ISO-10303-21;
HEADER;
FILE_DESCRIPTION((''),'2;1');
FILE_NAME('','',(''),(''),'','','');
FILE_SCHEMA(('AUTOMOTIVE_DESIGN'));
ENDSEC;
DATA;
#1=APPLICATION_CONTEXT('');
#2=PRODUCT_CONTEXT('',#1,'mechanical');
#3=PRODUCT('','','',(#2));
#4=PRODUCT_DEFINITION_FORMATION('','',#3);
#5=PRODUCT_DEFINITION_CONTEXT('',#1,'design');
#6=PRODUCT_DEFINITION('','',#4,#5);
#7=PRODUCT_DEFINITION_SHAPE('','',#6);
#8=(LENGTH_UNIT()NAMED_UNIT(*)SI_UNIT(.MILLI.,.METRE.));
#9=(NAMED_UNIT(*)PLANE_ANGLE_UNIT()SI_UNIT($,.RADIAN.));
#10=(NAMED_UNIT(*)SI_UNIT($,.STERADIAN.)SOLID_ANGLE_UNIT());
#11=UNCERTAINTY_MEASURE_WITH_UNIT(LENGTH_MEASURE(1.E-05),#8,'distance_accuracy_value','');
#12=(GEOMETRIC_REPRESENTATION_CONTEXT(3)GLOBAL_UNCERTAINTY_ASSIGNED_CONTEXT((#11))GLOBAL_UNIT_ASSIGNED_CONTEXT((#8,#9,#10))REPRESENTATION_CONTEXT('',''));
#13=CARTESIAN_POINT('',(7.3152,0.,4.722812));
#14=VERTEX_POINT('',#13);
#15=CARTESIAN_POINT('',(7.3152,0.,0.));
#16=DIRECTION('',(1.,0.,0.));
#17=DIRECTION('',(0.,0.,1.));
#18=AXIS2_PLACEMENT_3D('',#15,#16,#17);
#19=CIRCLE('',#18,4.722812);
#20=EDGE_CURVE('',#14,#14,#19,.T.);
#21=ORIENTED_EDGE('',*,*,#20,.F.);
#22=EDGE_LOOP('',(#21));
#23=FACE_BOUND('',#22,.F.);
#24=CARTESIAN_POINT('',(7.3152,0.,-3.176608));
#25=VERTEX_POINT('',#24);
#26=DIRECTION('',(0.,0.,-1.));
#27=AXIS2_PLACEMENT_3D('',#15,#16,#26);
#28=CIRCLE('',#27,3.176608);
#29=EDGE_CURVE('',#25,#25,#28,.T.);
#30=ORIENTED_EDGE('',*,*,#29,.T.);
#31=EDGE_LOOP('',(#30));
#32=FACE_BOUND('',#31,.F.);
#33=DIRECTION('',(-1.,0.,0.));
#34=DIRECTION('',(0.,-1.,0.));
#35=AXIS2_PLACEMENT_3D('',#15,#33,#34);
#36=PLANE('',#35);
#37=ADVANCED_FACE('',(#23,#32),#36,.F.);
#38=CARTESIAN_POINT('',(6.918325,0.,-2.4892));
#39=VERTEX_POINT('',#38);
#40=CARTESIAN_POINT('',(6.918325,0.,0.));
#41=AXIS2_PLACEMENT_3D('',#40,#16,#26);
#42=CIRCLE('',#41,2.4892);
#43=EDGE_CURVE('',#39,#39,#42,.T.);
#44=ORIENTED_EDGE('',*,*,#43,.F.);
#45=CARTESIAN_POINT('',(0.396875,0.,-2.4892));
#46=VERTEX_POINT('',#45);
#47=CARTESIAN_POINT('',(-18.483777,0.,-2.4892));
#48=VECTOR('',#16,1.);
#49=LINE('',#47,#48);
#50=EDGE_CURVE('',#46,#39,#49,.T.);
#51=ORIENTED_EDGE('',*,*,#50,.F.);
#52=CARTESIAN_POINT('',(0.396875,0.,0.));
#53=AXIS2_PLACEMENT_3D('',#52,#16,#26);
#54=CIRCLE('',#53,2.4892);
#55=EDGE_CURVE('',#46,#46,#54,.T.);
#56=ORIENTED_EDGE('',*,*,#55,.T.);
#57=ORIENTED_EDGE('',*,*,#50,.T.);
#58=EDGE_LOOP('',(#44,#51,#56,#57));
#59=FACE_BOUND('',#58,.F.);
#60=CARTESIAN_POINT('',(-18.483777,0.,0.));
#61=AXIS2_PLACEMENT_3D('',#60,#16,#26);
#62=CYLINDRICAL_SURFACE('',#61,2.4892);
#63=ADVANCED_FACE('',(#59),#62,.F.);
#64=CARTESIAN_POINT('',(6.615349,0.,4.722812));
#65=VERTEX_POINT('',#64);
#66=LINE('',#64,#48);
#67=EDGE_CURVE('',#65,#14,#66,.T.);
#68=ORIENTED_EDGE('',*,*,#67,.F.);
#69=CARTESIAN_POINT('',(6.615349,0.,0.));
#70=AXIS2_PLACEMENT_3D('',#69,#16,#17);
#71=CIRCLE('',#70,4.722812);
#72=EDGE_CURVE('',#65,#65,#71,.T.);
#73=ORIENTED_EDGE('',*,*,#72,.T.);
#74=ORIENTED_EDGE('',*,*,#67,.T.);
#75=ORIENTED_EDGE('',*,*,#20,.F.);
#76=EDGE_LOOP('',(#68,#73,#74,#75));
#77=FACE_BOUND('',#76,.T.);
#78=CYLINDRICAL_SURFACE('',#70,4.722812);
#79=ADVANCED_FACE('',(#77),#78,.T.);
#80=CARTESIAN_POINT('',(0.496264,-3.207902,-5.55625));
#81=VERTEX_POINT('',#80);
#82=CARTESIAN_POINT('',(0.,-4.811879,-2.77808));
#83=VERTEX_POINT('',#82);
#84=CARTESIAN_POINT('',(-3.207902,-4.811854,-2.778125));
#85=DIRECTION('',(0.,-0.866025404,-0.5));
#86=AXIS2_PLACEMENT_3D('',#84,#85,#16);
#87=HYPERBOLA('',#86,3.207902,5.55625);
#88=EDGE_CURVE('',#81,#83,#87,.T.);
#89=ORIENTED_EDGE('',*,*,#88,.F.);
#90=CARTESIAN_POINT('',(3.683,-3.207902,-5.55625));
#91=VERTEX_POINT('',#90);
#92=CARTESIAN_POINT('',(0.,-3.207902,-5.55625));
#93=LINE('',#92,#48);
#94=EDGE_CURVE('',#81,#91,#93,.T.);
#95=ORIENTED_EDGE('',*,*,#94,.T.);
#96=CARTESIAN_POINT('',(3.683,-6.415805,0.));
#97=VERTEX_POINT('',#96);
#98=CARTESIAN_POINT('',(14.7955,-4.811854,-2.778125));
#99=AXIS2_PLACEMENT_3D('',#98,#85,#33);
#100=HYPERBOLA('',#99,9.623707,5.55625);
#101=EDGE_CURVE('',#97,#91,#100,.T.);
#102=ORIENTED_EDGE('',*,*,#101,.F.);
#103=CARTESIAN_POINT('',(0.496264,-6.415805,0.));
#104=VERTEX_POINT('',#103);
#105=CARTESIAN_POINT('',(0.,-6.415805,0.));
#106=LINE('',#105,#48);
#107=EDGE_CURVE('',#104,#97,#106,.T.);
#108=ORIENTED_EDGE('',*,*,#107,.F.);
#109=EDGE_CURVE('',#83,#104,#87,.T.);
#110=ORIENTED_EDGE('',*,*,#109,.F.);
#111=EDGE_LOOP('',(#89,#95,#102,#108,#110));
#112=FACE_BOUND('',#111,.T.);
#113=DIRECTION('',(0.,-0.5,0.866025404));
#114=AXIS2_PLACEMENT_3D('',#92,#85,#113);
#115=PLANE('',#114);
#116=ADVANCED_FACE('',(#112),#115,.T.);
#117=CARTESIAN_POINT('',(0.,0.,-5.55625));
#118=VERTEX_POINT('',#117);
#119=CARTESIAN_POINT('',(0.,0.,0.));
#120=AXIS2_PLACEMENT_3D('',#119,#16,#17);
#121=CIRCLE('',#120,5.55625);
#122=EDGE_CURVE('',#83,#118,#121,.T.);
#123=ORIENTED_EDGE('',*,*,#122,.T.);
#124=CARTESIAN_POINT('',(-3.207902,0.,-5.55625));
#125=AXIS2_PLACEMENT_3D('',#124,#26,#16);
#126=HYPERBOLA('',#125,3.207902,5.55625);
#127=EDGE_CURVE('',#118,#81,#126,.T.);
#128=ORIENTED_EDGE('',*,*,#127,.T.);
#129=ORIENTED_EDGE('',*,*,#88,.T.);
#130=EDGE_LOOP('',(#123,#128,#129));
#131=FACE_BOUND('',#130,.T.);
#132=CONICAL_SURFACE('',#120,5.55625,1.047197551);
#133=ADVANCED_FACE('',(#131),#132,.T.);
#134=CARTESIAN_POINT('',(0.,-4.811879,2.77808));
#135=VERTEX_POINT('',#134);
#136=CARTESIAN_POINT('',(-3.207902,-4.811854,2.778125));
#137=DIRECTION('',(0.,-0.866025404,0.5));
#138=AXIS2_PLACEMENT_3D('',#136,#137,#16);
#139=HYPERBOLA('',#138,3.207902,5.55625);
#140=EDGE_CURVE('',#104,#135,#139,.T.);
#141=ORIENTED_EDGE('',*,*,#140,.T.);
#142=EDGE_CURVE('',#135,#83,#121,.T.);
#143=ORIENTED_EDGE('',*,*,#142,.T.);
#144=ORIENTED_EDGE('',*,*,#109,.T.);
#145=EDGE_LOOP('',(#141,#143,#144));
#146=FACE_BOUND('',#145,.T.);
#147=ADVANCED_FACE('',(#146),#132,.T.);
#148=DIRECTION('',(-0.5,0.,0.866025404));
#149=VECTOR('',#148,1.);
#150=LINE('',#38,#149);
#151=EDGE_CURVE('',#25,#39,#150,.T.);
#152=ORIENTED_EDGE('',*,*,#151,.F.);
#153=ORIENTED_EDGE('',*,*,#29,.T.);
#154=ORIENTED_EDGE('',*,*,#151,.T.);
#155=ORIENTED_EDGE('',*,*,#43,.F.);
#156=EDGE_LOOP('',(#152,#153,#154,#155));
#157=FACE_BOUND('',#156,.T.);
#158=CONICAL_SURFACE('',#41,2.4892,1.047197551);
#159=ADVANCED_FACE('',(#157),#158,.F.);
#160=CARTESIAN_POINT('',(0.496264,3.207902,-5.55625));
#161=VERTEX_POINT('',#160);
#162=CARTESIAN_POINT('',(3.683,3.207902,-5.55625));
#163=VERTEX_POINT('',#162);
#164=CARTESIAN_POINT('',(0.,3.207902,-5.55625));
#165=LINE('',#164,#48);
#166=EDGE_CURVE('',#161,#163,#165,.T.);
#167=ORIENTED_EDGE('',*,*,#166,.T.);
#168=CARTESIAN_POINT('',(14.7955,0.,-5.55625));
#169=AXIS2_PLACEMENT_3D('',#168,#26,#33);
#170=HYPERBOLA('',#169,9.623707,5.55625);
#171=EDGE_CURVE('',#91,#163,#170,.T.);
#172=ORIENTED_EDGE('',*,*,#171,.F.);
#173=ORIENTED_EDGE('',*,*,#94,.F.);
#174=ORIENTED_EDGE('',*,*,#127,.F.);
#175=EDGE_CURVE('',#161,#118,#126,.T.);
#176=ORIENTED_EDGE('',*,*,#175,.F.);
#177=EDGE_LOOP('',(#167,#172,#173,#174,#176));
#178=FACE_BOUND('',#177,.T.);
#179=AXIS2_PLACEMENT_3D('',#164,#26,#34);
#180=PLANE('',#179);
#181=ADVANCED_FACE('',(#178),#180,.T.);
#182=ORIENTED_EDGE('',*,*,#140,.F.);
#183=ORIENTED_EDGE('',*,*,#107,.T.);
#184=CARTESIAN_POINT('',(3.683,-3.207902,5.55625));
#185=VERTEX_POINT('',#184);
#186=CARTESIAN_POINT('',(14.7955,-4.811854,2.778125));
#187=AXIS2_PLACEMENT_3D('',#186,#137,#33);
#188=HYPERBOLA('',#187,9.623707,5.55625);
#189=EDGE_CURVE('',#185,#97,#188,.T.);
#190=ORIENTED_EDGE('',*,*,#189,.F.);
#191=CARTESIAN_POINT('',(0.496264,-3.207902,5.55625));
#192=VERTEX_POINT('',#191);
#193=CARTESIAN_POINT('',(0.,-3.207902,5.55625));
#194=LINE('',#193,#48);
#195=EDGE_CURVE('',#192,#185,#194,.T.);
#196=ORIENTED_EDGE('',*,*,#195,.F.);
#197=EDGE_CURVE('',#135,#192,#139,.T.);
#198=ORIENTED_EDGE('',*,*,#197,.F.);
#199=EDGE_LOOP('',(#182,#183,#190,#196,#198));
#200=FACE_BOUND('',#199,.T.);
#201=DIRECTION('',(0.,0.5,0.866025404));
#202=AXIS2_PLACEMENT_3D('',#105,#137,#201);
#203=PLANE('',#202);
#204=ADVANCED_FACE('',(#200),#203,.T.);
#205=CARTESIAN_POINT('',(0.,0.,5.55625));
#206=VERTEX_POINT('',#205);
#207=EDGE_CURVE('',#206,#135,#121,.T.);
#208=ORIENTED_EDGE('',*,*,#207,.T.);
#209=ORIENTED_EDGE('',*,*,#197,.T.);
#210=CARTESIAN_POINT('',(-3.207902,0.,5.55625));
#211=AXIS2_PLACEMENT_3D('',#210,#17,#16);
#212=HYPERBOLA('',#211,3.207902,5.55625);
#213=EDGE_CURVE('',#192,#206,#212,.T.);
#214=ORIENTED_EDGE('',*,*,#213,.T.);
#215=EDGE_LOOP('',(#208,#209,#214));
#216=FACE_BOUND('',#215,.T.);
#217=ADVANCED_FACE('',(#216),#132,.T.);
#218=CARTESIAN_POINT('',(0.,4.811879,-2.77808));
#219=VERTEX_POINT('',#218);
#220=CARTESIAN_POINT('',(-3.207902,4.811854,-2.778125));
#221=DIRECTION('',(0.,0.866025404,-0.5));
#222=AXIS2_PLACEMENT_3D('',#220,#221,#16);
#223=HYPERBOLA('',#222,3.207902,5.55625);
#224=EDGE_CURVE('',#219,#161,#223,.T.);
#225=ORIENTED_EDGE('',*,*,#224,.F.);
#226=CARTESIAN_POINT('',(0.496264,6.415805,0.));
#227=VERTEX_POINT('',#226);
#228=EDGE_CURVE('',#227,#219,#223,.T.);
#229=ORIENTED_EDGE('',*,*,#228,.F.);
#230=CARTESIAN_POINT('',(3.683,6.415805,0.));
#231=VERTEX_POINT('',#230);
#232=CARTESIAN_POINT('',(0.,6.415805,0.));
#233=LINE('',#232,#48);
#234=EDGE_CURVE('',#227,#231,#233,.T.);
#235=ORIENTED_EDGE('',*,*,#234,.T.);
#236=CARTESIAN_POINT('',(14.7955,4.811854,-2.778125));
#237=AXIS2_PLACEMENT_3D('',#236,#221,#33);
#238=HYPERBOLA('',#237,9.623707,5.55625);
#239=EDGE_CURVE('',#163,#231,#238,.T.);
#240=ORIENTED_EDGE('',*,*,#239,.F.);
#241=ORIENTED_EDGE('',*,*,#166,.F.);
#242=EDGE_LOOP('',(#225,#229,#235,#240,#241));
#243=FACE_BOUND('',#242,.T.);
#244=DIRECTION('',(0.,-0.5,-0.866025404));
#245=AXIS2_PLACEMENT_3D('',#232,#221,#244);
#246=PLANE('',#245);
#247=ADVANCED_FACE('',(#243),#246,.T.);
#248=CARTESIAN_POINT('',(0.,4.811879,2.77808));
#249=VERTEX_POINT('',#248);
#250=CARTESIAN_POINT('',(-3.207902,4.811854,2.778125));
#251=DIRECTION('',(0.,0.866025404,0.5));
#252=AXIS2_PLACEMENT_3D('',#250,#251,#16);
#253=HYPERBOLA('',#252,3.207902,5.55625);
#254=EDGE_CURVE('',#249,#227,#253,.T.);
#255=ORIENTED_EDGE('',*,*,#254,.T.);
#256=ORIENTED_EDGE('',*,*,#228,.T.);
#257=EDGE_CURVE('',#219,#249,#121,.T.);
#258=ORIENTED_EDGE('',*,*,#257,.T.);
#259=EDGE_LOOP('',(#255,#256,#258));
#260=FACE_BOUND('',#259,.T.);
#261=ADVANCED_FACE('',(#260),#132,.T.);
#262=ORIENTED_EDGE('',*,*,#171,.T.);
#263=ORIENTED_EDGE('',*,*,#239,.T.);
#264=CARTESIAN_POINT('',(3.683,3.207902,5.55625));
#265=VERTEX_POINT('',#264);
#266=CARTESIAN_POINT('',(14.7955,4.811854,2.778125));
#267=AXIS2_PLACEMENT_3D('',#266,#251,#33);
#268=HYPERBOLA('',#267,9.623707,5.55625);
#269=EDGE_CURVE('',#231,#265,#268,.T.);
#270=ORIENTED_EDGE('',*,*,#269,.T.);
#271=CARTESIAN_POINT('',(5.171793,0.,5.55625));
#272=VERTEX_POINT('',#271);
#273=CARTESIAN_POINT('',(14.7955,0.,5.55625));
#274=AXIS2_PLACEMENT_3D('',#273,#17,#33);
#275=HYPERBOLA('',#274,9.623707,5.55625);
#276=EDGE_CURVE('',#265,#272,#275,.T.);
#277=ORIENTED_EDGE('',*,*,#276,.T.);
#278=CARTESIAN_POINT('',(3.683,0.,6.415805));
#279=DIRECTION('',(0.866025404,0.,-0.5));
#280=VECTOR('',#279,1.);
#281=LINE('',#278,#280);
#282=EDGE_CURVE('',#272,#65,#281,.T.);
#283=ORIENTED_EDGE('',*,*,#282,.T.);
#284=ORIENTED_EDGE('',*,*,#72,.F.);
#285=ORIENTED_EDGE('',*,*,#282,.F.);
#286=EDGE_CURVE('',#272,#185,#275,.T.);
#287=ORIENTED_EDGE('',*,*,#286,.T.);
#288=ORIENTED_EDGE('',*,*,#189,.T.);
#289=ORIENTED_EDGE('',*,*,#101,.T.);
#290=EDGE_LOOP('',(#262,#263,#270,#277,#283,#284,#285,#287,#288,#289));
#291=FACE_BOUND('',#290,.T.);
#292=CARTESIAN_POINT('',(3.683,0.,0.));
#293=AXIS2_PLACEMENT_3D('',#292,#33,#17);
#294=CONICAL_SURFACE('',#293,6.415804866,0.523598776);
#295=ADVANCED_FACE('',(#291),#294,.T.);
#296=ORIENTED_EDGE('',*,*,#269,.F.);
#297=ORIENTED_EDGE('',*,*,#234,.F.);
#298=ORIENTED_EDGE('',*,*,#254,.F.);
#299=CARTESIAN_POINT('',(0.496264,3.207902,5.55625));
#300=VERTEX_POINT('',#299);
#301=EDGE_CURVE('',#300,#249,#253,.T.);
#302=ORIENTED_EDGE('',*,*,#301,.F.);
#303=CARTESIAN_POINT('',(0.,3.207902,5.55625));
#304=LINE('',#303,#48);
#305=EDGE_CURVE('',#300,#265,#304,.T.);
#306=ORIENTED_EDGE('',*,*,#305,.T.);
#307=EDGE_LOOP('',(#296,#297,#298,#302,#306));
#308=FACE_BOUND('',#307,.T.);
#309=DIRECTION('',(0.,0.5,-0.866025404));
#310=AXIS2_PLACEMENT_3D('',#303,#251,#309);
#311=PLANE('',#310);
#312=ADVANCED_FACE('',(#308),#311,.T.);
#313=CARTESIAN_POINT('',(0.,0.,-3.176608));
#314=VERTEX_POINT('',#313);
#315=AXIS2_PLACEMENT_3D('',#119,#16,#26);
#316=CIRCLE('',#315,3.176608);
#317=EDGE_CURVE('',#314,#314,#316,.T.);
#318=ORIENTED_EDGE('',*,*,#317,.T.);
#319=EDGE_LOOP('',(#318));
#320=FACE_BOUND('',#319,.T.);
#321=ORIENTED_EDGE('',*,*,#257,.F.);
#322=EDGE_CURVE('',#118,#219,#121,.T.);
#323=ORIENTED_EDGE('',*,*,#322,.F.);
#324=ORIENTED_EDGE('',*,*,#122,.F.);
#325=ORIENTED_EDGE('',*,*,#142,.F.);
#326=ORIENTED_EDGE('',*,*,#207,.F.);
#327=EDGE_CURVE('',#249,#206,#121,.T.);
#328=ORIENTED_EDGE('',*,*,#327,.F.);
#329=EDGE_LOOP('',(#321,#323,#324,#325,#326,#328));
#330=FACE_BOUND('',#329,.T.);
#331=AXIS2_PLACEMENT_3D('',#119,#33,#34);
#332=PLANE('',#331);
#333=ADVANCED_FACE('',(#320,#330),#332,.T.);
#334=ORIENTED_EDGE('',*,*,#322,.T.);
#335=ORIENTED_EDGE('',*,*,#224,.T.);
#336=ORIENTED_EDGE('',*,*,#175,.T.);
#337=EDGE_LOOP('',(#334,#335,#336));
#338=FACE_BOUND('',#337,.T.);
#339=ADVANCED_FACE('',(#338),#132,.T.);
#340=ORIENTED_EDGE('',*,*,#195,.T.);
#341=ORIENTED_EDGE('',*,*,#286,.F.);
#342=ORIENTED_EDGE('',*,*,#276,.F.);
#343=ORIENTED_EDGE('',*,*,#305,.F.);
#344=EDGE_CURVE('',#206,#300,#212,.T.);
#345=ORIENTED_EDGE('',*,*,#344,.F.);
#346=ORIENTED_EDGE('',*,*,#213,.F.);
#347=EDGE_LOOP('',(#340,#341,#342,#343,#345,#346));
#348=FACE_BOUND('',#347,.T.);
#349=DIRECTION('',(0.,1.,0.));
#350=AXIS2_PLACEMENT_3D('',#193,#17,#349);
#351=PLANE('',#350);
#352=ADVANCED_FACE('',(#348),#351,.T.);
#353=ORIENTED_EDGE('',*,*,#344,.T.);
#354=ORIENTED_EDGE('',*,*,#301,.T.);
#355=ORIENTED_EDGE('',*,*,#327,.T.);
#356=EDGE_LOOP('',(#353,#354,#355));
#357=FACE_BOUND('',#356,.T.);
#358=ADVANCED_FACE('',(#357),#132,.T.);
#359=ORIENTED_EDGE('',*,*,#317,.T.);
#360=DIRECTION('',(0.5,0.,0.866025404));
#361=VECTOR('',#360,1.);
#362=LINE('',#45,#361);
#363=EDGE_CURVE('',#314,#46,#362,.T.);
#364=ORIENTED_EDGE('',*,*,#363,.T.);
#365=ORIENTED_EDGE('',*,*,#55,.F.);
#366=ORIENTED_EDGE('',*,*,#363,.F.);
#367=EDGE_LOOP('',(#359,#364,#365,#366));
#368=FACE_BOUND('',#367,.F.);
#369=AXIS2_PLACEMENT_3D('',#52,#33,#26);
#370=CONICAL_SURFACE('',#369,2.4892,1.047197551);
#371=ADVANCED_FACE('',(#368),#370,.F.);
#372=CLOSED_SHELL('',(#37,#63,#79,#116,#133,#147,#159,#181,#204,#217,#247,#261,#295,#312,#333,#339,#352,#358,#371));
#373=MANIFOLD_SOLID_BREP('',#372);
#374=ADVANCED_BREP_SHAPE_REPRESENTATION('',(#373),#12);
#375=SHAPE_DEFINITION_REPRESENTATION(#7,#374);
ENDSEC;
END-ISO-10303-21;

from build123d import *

# Parameters (mm, degrees)
BODY_DEPTH     = 7.3152
THREAD_D       = 4.9784
CHAMFER1_SIZE  = 0.687407664
CHAMFER1_SIZE2 = 0.396875
CHAMFER2_SIZE  = 0.687407664
CHAMFER2_SIZE2 = 0.396875


with BuildPart() as part:
    # Sketch1 → Body (new body)
    with BuildSketch(Plane.YZ):
        Polygon((-6.415804866, 0), (-3.207902433, 5.55625), (3.207902433, 5.55625), (6.415804866, 0), (3.207902433, -5.55625), (-3.207902433, -5.55625), align=None)
    extrude(amount=BODY_DEPTH)

    # Thread (through all)
    with Locations(Plane.ZY):
        with Locations((0, 0)):
            Hole(THREAD_D / 2)

    # Chamfer1
    chamfer1_edges = [part.edges().sort_by_distance(p)[0] for p in [
        (0, 0, 2.4892),
    ]]
    chamfer1_side = [part.faces().sort_by_distance(p)[0] for p in [
        (0, -4.664849093, 2.693251879),
    ]]
    chamfer(chamfer1_edges, length=CHAMFER1_SIZE, length2=CHAMFER1_SIZE2, reference=chamfer1_side[0])

    # Chamfer2
    chamfer2_edges = [part.edges().sort_by_distance(p)[0] for p in [
        (7.3152, 0, 2.4892),
    ]]
    chamfer2_side = [part.faces().sort_by_distance(p)[0] for p in [
        (7.3152, -4.664849093, 2.693251879),
    ]]
    chamfer(chamfer2_edges, length=CHAMFER2_SIZE, length2=CHAMFER2_SIZE2, reference=chamfer2_side[0])

    # Sketch4 → Chamfer3 (revolve, cut)
    with BuildSketch(Plane.XY, mode=Mode.PRIVATE) as chamfer3_sk:
        Polygon((0, 5.55625), (0.496264233, 6.415804866), (0, 6.415804866), align=None)
        Polygon((7.3152, 4.7228125), (7.3152, 6.415804866), (3.683, 6.415804866), (6.615348795, 4.7228125), align=None)
    revolve(chamfer3_sk.sketch.rotate(Axis((-1.46304, 0, 0), (1, 0, 0)), 90), axis=Axis((-1.46304, 0, 0), (1, 0, 0)), mode=Mode.SUBTRACT)


solid = part.part
